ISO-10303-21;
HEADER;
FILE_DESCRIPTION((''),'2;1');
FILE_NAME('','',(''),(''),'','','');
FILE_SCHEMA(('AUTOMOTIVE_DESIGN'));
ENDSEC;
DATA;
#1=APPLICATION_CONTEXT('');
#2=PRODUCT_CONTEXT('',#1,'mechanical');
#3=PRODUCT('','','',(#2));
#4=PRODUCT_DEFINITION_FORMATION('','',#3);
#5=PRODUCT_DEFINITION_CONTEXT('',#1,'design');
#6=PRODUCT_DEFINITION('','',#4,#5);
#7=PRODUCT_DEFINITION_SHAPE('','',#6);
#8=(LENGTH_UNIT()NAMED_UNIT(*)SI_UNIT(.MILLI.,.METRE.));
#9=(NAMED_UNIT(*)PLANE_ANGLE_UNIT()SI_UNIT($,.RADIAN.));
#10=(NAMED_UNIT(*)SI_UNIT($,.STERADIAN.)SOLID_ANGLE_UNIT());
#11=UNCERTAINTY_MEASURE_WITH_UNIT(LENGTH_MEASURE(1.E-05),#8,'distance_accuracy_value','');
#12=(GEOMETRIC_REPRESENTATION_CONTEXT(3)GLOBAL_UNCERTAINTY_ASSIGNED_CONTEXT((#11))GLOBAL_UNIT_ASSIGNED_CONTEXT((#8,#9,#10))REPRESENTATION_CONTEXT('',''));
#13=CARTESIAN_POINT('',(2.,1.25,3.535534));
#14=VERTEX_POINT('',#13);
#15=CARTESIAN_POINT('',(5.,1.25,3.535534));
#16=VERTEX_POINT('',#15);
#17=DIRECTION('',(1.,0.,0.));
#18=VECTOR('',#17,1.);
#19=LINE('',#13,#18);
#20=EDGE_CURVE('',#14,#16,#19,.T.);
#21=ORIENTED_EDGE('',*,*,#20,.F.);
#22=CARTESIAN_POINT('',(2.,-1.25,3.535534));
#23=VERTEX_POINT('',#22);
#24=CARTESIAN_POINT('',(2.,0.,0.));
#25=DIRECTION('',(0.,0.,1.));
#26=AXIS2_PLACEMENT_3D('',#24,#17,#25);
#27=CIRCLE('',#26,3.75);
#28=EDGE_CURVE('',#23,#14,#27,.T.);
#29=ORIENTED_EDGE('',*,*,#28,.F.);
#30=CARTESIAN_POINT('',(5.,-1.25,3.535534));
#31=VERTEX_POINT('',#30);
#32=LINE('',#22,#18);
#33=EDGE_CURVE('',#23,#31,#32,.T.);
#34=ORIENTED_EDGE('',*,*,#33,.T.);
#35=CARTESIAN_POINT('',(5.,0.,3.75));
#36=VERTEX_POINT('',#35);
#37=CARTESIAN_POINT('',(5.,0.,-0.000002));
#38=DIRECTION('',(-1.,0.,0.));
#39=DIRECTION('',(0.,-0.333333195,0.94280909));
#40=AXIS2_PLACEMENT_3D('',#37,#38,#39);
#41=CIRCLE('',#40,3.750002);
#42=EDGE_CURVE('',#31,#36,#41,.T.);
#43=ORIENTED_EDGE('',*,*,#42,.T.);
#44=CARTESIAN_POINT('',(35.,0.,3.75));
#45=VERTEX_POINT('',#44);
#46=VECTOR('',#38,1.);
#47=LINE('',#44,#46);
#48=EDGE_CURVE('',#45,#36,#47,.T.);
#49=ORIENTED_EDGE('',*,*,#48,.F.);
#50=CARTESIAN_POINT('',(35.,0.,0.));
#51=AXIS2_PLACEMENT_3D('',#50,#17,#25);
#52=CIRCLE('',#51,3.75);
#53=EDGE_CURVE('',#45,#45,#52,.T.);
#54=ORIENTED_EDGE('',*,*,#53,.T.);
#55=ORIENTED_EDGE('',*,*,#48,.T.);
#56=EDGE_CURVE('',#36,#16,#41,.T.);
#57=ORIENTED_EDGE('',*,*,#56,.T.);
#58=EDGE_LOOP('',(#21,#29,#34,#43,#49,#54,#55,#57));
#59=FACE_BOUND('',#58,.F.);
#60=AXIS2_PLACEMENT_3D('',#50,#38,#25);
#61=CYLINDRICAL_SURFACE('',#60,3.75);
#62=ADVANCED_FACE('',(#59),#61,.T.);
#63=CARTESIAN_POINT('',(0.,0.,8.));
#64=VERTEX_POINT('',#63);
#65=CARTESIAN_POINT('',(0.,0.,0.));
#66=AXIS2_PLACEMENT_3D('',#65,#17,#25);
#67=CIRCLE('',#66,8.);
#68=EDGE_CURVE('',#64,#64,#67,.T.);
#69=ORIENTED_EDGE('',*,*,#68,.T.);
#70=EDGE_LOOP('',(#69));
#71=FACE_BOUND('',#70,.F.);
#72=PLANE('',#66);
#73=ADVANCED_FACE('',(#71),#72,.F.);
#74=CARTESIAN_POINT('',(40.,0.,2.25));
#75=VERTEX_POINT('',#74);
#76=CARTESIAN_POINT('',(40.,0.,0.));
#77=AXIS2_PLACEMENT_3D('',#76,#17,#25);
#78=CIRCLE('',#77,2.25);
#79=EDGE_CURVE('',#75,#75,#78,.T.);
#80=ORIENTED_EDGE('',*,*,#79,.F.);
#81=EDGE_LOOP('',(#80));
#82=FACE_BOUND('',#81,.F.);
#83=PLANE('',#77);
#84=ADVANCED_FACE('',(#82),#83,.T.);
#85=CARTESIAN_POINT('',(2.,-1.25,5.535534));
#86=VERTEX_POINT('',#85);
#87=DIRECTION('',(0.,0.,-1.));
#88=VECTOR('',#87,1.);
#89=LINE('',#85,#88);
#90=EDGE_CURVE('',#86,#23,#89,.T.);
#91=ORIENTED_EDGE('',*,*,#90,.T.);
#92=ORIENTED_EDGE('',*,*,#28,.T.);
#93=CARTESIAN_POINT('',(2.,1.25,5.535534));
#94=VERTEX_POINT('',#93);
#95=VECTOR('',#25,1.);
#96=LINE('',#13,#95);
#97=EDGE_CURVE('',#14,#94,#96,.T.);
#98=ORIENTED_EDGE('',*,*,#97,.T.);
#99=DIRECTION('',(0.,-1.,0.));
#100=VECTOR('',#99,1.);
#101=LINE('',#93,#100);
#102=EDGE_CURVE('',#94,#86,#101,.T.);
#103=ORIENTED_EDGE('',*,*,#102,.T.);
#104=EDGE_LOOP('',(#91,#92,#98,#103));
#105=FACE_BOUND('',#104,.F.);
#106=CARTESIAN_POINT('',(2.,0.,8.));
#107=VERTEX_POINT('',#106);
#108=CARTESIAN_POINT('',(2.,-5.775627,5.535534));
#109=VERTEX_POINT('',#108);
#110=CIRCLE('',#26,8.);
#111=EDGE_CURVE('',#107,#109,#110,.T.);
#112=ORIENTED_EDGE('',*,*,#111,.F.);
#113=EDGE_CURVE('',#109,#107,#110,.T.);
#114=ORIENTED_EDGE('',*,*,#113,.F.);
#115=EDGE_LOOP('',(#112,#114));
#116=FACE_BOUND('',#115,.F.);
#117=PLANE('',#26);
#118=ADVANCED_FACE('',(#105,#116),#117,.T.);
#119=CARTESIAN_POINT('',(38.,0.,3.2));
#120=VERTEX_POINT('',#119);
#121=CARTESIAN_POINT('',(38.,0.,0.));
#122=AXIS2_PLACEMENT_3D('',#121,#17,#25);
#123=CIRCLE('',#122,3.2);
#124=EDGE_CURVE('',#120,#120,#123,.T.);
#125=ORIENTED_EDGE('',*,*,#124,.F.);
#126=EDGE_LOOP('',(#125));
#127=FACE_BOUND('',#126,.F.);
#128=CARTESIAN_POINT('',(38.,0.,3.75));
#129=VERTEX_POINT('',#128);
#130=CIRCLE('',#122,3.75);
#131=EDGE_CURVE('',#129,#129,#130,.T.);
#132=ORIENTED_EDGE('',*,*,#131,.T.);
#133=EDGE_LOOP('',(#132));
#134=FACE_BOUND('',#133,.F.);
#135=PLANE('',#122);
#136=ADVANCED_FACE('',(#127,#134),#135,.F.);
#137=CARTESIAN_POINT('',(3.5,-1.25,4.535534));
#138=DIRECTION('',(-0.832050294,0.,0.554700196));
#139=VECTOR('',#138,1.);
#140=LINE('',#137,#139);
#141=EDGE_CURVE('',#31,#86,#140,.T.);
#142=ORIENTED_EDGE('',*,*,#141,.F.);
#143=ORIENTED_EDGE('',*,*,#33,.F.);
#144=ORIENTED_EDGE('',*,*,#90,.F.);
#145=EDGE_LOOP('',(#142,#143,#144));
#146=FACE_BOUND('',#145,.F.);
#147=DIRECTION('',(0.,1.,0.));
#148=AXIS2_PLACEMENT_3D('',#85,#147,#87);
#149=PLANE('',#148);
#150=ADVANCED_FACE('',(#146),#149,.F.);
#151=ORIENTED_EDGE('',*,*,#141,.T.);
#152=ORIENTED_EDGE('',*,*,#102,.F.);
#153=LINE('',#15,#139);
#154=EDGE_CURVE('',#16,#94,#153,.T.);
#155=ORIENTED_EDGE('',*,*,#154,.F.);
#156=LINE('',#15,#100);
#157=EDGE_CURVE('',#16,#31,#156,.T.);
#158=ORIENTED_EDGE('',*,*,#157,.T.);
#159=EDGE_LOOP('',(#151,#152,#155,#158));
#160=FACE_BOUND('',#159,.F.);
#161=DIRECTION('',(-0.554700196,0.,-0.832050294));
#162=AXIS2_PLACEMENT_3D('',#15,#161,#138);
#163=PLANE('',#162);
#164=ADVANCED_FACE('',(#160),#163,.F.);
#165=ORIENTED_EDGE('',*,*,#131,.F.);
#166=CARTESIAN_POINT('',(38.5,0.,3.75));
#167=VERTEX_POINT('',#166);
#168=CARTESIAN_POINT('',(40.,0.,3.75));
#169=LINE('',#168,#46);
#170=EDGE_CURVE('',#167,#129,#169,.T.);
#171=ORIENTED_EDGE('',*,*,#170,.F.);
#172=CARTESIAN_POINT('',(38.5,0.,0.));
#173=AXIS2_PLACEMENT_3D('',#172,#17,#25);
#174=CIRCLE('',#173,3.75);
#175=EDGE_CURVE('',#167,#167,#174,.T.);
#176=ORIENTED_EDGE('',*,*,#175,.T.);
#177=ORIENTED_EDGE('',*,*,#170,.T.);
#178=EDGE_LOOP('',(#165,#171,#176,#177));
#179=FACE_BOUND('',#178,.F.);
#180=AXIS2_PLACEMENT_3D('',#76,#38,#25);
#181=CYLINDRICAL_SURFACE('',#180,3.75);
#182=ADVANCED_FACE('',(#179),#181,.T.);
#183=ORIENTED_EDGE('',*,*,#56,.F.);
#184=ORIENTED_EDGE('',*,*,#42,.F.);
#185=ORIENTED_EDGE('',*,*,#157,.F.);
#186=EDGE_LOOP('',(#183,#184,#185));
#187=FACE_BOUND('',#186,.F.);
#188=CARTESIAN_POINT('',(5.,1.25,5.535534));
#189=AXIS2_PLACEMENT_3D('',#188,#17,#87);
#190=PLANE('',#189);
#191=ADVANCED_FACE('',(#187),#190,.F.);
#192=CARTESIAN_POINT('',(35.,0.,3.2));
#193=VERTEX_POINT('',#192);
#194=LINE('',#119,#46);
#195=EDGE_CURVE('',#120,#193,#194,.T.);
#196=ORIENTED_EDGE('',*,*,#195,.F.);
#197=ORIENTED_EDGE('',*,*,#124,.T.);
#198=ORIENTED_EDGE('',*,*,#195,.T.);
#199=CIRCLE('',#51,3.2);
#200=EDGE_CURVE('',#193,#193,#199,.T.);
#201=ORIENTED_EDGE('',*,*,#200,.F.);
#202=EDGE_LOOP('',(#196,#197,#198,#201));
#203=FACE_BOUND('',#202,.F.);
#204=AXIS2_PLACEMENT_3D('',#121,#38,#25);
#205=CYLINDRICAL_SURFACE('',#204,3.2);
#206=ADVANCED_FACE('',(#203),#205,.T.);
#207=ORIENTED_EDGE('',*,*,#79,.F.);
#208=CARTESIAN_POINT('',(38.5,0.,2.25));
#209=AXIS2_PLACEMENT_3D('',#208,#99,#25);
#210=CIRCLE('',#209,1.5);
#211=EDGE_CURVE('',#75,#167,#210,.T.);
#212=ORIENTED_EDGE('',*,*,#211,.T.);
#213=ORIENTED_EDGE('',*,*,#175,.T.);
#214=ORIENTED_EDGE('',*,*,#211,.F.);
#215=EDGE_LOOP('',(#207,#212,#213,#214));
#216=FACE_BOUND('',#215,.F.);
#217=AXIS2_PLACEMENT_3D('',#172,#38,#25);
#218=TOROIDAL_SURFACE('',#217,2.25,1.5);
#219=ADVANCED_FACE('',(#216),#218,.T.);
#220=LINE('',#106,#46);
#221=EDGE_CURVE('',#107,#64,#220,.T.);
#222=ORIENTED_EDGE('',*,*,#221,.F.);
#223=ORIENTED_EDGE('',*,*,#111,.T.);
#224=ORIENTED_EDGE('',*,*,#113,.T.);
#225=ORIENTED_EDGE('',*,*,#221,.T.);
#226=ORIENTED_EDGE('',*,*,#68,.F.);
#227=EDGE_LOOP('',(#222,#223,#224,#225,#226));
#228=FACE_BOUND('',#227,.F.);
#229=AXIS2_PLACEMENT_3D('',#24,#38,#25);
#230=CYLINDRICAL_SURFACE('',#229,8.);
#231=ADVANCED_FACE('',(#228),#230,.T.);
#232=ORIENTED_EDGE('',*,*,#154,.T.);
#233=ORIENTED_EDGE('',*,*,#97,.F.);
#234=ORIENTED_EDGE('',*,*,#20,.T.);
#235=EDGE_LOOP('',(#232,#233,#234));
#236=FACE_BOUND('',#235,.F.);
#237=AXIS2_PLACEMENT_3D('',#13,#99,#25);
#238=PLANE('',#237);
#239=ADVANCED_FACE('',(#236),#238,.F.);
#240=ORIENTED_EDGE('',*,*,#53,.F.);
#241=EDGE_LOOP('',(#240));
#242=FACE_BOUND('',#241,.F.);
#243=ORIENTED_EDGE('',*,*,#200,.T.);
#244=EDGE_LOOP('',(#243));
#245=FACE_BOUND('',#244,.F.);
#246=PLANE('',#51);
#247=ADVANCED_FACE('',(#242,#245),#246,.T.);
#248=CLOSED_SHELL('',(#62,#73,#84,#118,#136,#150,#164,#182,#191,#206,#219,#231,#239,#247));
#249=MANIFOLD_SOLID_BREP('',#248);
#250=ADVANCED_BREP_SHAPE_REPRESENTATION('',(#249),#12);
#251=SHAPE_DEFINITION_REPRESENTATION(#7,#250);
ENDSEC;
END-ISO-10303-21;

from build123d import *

# Parameters (mm, degrees)
F2_R     = 1.5
F4_DEPTH = 3
F6_DEPTH = 25


with BuildPart() as f1:
    # F0 (on Front) → F1 (revolve)
    with BuildSketch(Plane.XZ):
        Polygon((0, 8), (0, 0), (40, 0), (40, 3.75), (38, 3.75), (38, 3.2), (35, 3.2), (35, 3.75), (2, 3.75), (2, 8), align=None)
    revolve(axis=Axis((20, 0, 0), (1, 0, 0)))

    # F2
    f2_edges = [f1.edges().sort_by_distance(p)[0] for p in [
        (40, 0, -3.75),
    ]]
    fillet(f2_edges, radius=F2_R)

    # F3 (on face) → F4 (join)
    with BuildSketch(Plane.YZ.offset(2)):
        with BuildLine():
            Line((-1.25, 5.535534), (-1.25, 3.535534))
            ThreePointArc((-1.25, 3.535534), (0, 3.75), (1.25, 3.535534))
            Line((1.25, 3.535534), (1.25, 5.535534))
            Line((1.25, 5.535534), (-1.25, 5.535534))
        make_face()
    extrude(amount=F4_DEPTH)

    # F5 (on face) → F6 (cut)
    with BuildSketch(Plane(origin=(0, 1.25, 0), x_dir=(-1, 0, 0), z_dir=(0, 1, 0))):
        Polygon((-5, 3.535534), (-2, 5.535534), (-5, 5.535534), align=None)
    extrude(amount=-F6_DEPTH, mode=Mode.SUBTRACT)


solid = f1.part
